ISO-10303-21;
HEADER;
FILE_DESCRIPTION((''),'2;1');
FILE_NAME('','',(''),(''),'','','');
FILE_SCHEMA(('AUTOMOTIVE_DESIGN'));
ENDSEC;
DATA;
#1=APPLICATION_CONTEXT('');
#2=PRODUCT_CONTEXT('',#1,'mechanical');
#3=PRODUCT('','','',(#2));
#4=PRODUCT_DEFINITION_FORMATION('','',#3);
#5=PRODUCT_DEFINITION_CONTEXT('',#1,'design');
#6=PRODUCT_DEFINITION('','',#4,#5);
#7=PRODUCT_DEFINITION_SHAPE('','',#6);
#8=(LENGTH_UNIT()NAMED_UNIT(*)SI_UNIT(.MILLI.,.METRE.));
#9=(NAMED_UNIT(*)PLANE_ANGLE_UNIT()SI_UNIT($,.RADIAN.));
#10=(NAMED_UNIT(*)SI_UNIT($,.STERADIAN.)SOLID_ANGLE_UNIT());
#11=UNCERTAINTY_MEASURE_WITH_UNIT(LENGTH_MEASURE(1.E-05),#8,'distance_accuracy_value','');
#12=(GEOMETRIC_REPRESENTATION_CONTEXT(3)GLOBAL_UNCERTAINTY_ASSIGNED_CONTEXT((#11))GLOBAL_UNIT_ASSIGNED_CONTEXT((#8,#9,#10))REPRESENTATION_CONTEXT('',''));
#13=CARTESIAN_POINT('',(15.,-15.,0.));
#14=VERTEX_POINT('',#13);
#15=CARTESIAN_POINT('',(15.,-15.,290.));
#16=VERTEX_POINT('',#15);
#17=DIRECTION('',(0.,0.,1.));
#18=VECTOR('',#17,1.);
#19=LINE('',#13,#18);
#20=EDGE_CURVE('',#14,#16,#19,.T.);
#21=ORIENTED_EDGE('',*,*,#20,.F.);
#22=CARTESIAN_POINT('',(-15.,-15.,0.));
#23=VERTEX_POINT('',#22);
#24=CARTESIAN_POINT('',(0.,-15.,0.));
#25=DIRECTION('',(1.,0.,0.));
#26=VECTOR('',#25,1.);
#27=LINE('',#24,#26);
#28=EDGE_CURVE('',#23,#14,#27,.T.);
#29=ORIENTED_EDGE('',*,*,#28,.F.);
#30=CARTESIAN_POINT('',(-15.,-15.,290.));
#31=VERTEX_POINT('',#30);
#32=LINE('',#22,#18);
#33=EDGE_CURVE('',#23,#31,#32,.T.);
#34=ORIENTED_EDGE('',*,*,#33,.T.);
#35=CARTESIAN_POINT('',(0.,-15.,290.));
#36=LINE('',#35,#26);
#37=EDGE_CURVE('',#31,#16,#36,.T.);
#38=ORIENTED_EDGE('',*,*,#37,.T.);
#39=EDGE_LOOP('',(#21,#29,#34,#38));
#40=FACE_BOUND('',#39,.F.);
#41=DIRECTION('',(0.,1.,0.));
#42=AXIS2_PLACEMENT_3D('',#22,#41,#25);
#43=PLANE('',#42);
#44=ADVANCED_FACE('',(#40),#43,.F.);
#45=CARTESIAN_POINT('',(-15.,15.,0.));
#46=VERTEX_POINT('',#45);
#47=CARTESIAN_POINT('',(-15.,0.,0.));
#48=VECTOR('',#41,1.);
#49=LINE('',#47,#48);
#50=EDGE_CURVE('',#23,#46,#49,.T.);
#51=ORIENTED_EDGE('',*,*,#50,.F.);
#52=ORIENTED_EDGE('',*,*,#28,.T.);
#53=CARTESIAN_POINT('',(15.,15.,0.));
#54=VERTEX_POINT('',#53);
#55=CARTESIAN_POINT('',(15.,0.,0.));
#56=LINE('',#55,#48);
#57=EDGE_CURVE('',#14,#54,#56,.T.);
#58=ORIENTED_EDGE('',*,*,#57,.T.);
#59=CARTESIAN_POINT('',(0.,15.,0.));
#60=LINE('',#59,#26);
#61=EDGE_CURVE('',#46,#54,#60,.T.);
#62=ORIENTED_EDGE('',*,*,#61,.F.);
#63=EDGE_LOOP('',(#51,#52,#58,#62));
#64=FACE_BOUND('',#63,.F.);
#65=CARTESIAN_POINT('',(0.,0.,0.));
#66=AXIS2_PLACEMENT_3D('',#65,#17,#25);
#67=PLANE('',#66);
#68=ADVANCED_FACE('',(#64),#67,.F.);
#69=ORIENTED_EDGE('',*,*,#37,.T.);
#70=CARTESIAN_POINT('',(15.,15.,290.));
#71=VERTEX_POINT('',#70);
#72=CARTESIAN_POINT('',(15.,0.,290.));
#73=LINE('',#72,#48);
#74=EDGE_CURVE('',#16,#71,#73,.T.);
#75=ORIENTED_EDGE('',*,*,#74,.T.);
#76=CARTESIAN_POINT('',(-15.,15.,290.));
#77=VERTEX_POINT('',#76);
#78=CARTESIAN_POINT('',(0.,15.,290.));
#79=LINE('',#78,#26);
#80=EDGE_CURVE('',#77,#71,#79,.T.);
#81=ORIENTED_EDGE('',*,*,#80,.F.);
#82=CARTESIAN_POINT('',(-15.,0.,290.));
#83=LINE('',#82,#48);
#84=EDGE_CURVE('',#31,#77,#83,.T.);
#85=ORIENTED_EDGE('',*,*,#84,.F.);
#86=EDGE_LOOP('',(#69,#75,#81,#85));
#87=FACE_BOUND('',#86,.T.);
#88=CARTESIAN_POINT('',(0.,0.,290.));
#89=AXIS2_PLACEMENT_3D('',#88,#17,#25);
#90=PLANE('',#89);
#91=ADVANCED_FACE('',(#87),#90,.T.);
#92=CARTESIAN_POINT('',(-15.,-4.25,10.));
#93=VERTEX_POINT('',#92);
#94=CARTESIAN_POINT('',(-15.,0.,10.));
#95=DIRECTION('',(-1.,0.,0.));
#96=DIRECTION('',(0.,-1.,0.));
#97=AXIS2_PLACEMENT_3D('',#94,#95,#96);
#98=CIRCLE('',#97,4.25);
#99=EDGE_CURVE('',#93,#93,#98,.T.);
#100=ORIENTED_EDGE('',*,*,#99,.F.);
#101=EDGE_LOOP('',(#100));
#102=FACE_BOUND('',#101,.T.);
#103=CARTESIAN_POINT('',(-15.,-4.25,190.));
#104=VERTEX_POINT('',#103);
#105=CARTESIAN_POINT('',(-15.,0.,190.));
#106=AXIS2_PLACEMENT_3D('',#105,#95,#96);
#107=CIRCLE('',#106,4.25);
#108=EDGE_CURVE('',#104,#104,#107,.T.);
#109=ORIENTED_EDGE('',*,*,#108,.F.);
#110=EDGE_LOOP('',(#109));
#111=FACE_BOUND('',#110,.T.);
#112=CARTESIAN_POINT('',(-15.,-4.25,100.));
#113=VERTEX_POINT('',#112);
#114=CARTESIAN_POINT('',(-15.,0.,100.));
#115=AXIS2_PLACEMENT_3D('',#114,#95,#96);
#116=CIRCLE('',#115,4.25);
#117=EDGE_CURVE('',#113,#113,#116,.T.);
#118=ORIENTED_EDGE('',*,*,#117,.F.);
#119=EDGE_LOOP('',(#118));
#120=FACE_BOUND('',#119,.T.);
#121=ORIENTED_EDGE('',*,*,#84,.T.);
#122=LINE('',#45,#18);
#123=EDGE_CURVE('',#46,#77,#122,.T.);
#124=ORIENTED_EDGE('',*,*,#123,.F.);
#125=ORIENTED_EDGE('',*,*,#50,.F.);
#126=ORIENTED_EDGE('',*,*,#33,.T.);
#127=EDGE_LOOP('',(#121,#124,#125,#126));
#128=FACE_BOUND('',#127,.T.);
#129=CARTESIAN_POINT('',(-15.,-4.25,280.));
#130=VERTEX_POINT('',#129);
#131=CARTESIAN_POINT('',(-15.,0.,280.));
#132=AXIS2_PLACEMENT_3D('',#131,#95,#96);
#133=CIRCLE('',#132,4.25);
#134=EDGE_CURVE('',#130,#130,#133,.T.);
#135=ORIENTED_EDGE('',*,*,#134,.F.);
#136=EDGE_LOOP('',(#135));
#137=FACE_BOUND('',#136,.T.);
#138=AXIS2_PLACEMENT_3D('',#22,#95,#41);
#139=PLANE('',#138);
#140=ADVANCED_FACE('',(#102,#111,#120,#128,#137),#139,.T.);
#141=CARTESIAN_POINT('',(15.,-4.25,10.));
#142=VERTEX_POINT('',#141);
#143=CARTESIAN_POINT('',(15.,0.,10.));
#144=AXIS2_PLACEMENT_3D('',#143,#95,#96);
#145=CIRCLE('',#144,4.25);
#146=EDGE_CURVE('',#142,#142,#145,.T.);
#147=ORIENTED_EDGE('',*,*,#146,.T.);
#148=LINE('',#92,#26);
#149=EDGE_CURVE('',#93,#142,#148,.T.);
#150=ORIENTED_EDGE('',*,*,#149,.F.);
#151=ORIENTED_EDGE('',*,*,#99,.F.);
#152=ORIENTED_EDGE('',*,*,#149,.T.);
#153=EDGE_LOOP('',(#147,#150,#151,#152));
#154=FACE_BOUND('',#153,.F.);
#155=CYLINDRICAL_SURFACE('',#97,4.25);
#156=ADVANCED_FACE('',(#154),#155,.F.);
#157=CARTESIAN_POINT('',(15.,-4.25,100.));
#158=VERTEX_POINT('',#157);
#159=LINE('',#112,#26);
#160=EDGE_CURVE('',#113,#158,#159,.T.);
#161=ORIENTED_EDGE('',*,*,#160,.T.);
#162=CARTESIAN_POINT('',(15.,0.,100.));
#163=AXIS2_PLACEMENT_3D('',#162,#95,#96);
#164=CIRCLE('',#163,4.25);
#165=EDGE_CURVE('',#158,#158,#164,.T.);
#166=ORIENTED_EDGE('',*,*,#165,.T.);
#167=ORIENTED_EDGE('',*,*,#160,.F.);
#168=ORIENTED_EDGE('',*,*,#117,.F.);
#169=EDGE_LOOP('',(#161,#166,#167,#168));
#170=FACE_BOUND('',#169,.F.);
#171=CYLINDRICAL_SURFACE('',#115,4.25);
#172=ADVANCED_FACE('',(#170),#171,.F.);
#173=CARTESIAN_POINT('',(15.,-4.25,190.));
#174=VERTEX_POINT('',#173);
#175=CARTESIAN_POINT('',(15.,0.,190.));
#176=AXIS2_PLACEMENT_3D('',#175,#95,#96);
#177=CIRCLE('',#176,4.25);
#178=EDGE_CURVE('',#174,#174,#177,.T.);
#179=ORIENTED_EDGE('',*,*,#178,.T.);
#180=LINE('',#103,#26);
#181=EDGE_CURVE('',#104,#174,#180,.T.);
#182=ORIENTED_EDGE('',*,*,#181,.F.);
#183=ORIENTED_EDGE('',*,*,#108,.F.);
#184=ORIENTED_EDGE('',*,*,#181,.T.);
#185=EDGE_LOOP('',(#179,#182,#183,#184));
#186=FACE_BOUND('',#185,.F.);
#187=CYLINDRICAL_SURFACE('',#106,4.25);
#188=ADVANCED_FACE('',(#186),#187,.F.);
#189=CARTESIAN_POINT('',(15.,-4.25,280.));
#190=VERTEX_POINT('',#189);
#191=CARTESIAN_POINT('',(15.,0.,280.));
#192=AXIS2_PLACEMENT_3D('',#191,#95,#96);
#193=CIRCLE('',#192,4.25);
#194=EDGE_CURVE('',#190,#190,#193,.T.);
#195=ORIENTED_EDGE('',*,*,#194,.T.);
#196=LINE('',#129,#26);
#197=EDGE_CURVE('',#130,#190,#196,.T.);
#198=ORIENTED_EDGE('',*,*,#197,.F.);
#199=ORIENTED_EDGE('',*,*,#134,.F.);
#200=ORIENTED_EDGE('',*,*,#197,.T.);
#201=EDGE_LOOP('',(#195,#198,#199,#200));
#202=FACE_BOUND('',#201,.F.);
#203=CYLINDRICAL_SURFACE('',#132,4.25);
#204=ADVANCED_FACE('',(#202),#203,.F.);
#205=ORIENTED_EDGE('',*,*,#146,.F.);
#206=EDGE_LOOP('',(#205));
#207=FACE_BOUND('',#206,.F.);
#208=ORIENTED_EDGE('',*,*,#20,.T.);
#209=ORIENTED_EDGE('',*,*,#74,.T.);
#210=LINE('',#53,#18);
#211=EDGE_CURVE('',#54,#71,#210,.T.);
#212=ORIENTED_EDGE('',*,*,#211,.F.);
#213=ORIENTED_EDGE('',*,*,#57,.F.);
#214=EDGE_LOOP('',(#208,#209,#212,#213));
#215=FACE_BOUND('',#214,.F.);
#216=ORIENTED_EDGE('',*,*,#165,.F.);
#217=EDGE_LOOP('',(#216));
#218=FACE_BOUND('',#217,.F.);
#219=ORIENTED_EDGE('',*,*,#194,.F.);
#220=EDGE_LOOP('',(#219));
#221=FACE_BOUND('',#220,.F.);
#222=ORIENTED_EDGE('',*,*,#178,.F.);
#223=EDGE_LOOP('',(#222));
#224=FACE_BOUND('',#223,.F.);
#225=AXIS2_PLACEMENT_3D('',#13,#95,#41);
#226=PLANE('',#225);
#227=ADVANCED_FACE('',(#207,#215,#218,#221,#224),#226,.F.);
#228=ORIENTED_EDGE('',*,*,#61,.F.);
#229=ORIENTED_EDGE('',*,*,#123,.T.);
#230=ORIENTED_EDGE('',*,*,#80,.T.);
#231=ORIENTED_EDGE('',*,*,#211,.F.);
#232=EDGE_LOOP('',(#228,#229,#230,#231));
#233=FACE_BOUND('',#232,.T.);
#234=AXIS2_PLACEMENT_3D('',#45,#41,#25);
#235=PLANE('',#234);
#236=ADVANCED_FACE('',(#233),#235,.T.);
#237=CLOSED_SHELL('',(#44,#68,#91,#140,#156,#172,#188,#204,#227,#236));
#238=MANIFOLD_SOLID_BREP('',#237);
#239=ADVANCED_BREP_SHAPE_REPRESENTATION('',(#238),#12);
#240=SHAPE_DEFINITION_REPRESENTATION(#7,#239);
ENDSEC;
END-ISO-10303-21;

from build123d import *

# Parameters (mm, degrees)
F0_W     = 30
F0_H     = 30
F1_DEPTH = 290
F2_R     = 4.25
F3_DEPTH = 30


with BuildPart() as f1:
    # F0 (on Top) → F1 (new body)
    with BuildSketch(Plane.XY):
        Rectangle(F0_W, F0_H)
    extrude(amount=F1_DEPTH)

    # F2 (on face) → F3 (cut, through all)
    with BuildSketch(Plane(origin=(-15, 0, 0), x_dir=(0, -1, 0), z_dir=(-1, 0, 0))):
        with Locations((0, 280)):
            Circle(F2_R)
        with Locations((0, 190)):
            Circle(F2_R)
        with Locations((0, 100)):
            Circle(F2_R)
        with Locations((0, 10)):
            Circle(F2_R)
    extrude(amount=-F3_DEPTH, mode=Mode.SUBTRACT)


solid = f1.part
